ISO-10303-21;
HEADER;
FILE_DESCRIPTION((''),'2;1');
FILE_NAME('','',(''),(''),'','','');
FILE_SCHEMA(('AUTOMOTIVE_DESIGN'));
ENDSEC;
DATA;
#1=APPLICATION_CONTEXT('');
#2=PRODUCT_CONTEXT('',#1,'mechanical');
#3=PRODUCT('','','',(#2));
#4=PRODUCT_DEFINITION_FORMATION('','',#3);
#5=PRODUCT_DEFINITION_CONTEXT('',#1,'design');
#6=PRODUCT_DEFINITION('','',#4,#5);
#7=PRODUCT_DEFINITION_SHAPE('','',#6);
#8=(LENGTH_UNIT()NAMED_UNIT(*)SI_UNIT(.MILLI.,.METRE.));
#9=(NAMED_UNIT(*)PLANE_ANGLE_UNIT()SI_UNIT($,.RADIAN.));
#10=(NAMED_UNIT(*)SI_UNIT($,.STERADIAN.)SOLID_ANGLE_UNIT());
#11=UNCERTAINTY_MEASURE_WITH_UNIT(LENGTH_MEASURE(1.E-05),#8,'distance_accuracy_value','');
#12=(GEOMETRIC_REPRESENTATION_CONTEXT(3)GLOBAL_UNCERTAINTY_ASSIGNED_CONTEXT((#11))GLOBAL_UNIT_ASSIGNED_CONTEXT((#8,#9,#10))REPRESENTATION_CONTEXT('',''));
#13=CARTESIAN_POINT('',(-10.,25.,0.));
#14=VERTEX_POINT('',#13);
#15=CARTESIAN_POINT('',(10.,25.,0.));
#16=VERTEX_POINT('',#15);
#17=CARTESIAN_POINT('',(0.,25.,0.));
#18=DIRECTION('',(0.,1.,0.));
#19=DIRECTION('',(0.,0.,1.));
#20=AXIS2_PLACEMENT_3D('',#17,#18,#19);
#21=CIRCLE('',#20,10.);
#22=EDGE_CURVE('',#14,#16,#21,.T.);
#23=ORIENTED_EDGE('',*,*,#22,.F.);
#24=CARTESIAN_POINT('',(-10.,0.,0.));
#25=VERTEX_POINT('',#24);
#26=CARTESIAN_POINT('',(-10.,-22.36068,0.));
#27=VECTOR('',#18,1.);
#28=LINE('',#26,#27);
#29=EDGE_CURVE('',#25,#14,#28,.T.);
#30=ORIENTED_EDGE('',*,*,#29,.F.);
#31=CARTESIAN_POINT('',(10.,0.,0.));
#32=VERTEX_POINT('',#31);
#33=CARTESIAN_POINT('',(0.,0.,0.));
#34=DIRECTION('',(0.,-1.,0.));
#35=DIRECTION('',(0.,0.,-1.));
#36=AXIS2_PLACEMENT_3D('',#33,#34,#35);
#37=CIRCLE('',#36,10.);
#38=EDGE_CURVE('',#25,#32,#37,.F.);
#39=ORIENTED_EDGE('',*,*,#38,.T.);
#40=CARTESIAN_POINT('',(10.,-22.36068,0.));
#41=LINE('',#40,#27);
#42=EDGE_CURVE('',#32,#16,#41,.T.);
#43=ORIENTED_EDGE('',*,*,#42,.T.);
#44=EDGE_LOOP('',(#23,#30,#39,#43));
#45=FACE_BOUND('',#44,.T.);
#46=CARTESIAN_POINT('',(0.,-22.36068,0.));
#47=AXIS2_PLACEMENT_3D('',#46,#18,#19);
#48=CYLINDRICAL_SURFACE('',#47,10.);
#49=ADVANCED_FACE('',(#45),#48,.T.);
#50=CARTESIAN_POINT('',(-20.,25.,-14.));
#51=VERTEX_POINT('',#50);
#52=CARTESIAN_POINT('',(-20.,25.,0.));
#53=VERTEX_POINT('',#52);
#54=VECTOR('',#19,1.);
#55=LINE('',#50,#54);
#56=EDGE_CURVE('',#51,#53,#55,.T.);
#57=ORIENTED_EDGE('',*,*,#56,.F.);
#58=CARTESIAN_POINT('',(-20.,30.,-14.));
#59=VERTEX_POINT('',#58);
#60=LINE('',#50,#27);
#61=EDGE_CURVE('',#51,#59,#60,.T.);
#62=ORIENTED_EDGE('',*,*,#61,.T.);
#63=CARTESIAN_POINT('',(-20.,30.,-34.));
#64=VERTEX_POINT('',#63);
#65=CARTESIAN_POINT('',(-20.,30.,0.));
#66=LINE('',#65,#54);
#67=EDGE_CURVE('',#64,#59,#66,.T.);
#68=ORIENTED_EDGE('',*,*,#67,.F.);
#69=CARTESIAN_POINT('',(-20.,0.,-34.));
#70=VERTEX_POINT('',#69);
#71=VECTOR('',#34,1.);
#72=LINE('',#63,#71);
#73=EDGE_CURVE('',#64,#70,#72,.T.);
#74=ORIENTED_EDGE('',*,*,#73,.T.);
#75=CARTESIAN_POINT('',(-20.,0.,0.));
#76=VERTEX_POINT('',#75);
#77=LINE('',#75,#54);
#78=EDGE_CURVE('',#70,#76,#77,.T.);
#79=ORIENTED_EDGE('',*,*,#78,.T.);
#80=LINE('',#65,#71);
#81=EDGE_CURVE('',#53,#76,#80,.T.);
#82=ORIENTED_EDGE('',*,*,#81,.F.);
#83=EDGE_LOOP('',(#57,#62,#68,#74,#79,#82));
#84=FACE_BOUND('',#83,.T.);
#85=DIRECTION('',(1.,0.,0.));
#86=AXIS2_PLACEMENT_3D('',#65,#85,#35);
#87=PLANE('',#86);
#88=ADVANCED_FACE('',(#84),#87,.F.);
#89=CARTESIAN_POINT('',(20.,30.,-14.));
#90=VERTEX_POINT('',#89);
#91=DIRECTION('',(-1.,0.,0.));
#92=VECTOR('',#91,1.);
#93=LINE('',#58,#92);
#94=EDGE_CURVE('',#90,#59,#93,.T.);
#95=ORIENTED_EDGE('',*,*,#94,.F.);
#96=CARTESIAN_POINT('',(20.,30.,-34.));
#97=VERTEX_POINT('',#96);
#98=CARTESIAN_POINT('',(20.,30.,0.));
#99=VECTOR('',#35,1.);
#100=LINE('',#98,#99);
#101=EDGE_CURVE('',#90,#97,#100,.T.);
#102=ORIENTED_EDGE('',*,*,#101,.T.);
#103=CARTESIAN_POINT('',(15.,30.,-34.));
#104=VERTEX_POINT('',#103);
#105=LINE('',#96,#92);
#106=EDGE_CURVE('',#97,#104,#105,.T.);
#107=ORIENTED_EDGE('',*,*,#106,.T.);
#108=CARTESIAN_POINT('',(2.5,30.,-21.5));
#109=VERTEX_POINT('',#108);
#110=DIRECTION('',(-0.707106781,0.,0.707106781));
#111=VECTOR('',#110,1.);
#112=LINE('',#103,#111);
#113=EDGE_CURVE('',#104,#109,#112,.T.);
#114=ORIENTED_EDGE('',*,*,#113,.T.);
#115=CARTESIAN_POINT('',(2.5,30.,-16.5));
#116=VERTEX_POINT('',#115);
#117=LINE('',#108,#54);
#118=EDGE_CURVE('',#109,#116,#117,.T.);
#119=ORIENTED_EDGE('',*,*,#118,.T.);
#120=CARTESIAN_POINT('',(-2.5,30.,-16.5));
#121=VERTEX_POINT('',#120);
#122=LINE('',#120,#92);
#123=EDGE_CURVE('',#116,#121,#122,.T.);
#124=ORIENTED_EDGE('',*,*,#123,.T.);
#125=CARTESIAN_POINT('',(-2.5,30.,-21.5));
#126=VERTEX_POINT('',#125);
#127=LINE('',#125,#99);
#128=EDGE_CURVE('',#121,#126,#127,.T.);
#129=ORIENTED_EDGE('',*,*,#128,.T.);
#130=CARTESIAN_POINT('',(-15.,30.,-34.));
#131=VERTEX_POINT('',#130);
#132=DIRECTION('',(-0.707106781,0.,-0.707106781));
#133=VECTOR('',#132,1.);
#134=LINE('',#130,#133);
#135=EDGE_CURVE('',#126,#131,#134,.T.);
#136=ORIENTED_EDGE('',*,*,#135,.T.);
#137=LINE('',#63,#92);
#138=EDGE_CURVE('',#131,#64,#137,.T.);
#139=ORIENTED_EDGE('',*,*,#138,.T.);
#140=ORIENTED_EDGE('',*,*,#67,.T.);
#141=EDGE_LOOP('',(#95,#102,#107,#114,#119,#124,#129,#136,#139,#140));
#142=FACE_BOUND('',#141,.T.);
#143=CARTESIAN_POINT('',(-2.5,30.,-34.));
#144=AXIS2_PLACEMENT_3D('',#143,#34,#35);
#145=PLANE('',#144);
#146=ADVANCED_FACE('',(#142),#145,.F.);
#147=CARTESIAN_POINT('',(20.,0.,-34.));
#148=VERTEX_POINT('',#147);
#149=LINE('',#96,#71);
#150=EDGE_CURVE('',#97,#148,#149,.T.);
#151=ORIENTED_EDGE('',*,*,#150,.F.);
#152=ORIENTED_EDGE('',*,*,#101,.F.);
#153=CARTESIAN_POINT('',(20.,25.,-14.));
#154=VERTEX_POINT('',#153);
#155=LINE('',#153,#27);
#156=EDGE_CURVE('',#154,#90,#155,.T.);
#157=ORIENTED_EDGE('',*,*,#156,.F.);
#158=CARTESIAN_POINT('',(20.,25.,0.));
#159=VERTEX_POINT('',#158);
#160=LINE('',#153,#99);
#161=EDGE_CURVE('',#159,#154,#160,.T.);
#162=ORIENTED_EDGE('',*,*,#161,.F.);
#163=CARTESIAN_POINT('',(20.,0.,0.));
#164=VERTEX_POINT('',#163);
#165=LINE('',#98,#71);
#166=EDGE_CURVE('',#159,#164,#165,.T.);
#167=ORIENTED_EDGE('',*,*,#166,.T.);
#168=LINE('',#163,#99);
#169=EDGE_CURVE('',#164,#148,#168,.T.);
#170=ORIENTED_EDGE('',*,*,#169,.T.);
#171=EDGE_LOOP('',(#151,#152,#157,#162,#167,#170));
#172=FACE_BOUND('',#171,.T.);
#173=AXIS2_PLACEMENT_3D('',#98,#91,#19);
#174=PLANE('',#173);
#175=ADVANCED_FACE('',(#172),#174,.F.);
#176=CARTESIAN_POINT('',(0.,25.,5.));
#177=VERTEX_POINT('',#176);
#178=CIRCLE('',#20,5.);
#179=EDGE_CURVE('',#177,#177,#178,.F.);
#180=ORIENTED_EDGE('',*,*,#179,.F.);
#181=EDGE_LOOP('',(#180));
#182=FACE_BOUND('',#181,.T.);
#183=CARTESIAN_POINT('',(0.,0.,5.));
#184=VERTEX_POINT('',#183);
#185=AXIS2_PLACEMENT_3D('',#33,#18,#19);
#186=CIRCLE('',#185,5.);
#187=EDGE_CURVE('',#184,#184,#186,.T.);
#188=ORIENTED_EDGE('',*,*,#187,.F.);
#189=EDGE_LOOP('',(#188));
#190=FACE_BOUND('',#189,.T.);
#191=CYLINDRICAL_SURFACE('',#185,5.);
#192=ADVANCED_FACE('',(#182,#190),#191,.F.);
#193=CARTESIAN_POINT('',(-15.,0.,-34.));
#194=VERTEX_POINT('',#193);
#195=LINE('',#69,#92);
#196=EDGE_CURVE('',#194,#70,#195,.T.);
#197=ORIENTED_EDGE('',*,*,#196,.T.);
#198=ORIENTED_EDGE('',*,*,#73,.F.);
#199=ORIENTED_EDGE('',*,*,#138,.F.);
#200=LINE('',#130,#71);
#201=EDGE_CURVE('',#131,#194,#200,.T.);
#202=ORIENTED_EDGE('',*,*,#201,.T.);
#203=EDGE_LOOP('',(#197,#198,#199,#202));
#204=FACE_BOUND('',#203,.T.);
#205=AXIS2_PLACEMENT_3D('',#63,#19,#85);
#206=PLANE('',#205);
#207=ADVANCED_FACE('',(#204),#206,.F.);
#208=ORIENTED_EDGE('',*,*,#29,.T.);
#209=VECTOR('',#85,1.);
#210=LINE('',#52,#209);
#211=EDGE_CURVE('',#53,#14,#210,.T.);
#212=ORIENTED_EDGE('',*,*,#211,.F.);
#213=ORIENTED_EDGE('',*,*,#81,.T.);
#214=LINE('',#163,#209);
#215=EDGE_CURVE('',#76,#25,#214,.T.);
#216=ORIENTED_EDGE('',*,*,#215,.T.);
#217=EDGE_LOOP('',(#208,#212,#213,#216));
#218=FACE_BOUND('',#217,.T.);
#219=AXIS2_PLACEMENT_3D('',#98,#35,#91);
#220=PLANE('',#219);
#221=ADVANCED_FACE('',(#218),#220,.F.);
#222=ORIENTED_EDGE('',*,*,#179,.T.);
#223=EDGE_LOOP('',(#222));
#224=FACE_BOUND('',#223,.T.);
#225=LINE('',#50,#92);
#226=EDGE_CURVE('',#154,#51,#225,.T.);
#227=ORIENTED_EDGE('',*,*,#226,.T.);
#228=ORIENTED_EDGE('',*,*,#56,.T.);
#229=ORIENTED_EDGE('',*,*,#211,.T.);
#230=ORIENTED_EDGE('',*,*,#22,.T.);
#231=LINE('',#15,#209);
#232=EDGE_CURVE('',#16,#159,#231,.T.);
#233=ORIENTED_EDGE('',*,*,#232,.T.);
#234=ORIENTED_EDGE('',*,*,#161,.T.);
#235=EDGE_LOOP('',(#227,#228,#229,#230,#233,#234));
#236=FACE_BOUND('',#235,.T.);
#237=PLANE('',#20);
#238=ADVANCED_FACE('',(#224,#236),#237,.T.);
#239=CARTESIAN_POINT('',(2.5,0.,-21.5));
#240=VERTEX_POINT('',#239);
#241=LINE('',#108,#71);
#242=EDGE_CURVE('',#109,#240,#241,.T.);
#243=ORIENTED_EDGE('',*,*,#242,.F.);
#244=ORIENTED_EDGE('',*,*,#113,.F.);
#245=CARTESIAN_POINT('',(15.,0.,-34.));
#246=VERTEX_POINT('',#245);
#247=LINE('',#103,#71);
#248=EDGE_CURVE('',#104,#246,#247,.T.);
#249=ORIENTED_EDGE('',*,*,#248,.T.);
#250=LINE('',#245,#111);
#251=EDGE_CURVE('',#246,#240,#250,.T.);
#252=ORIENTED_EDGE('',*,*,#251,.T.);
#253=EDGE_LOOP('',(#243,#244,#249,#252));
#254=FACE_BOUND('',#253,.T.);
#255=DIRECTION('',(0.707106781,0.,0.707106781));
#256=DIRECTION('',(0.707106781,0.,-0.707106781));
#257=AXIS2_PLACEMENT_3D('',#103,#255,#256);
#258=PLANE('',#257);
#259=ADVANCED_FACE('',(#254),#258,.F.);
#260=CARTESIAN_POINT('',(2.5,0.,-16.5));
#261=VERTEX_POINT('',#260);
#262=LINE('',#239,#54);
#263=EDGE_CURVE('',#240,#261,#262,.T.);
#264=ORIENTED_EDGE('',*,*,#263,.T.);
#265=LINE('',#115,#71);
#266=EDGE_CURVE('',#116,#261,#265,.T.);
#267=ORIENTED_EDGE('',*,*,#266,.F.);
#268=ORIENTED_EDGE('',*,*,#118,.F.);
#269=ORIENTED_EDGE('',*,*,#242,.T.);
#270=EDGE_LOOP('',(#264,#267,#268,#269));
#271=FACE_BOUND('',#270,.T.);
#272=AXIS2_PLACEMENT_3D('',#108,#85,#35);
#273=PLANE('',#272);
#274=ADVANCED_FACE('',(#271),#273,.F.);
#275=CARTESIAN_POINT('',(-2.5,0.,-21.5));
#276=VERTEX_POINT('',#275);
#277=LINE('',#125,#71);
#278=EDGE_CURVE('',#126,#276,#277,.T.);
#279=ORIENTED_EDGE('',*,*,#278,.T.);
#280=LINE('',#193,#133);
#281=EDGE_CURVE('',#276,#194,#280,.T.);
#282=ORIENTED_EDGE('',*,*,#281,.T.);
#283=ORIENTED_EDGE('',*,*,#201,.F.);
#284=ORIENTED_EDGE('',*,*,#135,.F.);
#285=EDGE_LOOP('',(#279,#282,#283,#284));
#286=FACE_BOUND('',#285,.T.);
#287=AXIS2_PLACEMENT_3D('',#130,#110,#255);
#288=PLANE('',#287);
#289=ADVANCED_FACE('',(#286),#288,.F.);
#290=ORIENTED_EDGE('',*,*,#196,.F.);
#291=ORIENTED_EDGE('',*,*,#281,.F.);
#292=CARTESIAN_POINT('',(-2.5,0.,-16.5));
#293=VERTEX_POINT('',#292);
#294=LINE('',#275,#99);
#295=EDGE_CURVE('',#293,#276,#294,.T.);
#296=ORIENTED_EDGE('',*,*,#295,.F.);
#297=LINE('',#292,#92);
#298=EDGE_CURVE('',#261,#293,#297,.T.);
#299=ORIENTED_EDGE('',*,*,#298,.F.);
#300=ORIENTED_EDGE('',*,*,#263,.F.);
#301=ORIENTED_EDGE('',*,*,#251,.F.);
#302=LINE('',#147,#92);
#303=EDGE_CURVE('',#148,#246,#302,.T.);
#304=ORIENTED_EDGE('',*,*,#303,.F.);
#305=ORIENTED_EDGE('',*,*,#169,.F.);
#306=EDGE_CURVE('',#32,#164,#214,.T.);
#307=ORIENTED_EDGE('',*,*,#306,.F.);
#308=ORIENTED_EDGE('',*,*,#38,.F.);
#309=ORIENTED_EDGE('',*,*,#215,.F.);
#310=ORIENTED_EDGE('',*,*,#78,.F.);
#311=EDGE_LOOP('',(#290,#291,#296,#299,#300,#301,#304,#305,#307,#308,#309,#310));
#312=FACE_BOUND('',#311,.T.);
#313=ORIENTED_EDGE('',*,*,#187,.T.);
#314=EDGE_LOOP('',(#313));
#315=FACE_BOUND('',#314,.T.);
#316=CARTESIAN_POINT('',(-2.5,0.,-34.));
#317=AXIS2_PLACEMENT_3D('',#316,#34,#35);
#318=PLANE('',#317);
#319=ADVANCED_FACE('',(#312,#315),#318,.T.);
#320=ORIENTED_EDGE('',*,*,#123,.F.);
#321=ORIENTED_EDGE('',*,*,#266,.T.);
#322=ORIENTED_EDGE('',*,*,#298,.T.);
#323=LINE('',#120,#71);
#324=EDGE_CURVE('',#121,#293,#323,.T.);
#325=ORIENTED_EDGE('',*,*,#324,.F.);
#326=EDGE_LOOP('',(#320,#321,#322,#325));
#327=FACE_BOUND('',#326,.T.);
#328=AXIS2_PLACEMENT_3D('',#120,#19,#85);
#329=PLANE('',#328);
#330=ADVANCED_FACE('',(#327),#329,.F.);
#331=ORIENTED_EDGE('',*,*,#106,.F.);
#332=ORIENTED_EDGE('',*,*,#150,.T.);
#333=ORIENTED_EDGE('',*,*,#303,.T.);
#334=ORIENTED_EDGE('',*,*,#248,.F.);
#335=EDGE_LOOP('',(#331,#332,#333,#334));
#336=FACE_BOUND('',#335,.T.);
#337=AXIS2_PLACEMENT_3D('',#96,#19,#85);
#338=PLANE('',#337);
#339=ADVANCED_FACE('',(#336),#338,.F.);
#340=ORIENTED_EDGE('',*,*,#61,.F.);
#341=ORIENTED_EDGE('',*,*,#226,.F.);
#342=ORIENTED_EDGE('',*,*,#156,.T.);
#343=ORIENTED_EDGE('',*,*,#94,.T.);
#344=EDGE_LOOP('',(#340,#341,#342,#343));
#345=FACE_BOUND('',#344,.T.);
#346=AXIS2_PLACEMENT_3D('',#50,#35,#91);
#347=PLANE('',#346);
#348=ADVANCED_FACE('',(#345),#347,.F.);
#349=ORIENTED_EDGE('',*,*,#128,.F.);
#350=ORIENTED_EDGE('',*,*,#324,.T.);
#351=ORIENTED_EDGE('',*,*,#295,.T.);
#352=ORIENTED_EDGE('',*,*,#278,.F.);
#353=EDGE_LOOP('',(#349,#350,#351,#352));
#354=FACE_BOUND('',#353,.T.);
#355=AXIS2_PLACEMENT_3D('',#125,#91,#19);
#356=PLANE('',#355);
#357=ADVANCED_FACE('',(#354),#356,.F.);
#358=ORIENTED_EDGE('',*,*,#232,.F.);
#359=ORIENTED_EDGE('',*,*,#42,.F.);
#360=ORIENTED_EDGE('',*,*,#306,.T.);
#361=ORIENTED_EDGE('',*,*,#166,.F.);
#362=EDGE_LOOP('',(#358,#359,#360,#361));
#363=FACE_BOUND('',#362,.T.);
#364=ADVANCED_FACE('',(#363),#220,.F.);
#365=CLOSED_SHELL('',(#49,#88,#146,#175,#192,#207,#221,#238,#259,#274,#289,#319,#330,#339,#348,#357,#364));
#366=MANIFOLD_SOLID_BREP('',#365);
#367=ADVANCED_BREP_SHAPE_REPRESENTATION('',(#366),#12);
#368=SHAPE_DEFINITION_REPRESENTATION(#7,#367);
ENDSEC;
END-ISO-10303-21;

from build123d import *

# Parameters (mm, degrees)
EXTRUDE_319_DEPTH   = 30
EXTRUDE_1_DEPTH     = 30
SKETCH_3_R          = 5
CUT_EXTRUDE_1_DEPTH = 50.558046773
CUT_EXTRUDE_2_DEPTH = 5


with BuildPart() as part:
    # Эскиз1 → Extrude 319 (new body)
    with BuildSketch(Plane(origin=(0, 0, 0), x_dir=(1, 0, 0), z_dir=(0, 1, 0))):
        Polygon((20, 0), (-20, 0), (-20, 34), (-15, 34), (-2.5, 21.5), (-2.5, 16.5), (2.5, 16.5), (2.5, 21.5), (15, 34), (20, 34), align=None)
    extrude(amount=EXTRUDE_319_DEPTH)

    # Эскиз2 → Бобышка-Вытянуть1 (add)
    with BuildSketch(Plane(origin=(0, 30, 0), x_dir=(-1, 0, 0), z_dir=(0, 1, 0))):
        with BuildLine():
            Line((10, 0), (-10, 0))
            ThreePointArc((-10, 0), (0, 10), (10, 0))
        make_face()
    extrude(amount=-EXTRUDE_1_DEPTH)

    # Эскиз3 → Вырез-Вытянуть1 (cut, through all)
    with BuildSketch(Plane(origin=(0, 30, 0), x_dir=(-1, 0, 0), z_dir=(0, 1, 0))):
        with Locations(Location((0, 0, 0), (0, 0, 90))):
            Circle(SKETCH_3_R)
    extrude(amount=-CUT_EXTRUDE_1_DEPTH, mode=Mode.SUBTRACT)

    # Эскиз4 → Вырез-Вытянуть2 (cut)
    with BuildSketch(Plane(origin=(0, 30, 0), x_dir=(-1, 0, 0), z_dir=(0, 1, 0))):
        with BuildLine():
            Line((-10, 0), (-20, 0))
            Line((-20, 0), (-20, -14))
            Line((-20, -14), (20, -14))
            Line((20, -14), (20, 0))
            Line((20, 0), (10, 0))
            ThreePointArc((10, 0), (0, 10), (-10, 0))
        make_face()
    extrude(amount=-CUT_EXTRUDE_2_DEPTH, mode=Mode.SUBTRACT)


solid = part.part
